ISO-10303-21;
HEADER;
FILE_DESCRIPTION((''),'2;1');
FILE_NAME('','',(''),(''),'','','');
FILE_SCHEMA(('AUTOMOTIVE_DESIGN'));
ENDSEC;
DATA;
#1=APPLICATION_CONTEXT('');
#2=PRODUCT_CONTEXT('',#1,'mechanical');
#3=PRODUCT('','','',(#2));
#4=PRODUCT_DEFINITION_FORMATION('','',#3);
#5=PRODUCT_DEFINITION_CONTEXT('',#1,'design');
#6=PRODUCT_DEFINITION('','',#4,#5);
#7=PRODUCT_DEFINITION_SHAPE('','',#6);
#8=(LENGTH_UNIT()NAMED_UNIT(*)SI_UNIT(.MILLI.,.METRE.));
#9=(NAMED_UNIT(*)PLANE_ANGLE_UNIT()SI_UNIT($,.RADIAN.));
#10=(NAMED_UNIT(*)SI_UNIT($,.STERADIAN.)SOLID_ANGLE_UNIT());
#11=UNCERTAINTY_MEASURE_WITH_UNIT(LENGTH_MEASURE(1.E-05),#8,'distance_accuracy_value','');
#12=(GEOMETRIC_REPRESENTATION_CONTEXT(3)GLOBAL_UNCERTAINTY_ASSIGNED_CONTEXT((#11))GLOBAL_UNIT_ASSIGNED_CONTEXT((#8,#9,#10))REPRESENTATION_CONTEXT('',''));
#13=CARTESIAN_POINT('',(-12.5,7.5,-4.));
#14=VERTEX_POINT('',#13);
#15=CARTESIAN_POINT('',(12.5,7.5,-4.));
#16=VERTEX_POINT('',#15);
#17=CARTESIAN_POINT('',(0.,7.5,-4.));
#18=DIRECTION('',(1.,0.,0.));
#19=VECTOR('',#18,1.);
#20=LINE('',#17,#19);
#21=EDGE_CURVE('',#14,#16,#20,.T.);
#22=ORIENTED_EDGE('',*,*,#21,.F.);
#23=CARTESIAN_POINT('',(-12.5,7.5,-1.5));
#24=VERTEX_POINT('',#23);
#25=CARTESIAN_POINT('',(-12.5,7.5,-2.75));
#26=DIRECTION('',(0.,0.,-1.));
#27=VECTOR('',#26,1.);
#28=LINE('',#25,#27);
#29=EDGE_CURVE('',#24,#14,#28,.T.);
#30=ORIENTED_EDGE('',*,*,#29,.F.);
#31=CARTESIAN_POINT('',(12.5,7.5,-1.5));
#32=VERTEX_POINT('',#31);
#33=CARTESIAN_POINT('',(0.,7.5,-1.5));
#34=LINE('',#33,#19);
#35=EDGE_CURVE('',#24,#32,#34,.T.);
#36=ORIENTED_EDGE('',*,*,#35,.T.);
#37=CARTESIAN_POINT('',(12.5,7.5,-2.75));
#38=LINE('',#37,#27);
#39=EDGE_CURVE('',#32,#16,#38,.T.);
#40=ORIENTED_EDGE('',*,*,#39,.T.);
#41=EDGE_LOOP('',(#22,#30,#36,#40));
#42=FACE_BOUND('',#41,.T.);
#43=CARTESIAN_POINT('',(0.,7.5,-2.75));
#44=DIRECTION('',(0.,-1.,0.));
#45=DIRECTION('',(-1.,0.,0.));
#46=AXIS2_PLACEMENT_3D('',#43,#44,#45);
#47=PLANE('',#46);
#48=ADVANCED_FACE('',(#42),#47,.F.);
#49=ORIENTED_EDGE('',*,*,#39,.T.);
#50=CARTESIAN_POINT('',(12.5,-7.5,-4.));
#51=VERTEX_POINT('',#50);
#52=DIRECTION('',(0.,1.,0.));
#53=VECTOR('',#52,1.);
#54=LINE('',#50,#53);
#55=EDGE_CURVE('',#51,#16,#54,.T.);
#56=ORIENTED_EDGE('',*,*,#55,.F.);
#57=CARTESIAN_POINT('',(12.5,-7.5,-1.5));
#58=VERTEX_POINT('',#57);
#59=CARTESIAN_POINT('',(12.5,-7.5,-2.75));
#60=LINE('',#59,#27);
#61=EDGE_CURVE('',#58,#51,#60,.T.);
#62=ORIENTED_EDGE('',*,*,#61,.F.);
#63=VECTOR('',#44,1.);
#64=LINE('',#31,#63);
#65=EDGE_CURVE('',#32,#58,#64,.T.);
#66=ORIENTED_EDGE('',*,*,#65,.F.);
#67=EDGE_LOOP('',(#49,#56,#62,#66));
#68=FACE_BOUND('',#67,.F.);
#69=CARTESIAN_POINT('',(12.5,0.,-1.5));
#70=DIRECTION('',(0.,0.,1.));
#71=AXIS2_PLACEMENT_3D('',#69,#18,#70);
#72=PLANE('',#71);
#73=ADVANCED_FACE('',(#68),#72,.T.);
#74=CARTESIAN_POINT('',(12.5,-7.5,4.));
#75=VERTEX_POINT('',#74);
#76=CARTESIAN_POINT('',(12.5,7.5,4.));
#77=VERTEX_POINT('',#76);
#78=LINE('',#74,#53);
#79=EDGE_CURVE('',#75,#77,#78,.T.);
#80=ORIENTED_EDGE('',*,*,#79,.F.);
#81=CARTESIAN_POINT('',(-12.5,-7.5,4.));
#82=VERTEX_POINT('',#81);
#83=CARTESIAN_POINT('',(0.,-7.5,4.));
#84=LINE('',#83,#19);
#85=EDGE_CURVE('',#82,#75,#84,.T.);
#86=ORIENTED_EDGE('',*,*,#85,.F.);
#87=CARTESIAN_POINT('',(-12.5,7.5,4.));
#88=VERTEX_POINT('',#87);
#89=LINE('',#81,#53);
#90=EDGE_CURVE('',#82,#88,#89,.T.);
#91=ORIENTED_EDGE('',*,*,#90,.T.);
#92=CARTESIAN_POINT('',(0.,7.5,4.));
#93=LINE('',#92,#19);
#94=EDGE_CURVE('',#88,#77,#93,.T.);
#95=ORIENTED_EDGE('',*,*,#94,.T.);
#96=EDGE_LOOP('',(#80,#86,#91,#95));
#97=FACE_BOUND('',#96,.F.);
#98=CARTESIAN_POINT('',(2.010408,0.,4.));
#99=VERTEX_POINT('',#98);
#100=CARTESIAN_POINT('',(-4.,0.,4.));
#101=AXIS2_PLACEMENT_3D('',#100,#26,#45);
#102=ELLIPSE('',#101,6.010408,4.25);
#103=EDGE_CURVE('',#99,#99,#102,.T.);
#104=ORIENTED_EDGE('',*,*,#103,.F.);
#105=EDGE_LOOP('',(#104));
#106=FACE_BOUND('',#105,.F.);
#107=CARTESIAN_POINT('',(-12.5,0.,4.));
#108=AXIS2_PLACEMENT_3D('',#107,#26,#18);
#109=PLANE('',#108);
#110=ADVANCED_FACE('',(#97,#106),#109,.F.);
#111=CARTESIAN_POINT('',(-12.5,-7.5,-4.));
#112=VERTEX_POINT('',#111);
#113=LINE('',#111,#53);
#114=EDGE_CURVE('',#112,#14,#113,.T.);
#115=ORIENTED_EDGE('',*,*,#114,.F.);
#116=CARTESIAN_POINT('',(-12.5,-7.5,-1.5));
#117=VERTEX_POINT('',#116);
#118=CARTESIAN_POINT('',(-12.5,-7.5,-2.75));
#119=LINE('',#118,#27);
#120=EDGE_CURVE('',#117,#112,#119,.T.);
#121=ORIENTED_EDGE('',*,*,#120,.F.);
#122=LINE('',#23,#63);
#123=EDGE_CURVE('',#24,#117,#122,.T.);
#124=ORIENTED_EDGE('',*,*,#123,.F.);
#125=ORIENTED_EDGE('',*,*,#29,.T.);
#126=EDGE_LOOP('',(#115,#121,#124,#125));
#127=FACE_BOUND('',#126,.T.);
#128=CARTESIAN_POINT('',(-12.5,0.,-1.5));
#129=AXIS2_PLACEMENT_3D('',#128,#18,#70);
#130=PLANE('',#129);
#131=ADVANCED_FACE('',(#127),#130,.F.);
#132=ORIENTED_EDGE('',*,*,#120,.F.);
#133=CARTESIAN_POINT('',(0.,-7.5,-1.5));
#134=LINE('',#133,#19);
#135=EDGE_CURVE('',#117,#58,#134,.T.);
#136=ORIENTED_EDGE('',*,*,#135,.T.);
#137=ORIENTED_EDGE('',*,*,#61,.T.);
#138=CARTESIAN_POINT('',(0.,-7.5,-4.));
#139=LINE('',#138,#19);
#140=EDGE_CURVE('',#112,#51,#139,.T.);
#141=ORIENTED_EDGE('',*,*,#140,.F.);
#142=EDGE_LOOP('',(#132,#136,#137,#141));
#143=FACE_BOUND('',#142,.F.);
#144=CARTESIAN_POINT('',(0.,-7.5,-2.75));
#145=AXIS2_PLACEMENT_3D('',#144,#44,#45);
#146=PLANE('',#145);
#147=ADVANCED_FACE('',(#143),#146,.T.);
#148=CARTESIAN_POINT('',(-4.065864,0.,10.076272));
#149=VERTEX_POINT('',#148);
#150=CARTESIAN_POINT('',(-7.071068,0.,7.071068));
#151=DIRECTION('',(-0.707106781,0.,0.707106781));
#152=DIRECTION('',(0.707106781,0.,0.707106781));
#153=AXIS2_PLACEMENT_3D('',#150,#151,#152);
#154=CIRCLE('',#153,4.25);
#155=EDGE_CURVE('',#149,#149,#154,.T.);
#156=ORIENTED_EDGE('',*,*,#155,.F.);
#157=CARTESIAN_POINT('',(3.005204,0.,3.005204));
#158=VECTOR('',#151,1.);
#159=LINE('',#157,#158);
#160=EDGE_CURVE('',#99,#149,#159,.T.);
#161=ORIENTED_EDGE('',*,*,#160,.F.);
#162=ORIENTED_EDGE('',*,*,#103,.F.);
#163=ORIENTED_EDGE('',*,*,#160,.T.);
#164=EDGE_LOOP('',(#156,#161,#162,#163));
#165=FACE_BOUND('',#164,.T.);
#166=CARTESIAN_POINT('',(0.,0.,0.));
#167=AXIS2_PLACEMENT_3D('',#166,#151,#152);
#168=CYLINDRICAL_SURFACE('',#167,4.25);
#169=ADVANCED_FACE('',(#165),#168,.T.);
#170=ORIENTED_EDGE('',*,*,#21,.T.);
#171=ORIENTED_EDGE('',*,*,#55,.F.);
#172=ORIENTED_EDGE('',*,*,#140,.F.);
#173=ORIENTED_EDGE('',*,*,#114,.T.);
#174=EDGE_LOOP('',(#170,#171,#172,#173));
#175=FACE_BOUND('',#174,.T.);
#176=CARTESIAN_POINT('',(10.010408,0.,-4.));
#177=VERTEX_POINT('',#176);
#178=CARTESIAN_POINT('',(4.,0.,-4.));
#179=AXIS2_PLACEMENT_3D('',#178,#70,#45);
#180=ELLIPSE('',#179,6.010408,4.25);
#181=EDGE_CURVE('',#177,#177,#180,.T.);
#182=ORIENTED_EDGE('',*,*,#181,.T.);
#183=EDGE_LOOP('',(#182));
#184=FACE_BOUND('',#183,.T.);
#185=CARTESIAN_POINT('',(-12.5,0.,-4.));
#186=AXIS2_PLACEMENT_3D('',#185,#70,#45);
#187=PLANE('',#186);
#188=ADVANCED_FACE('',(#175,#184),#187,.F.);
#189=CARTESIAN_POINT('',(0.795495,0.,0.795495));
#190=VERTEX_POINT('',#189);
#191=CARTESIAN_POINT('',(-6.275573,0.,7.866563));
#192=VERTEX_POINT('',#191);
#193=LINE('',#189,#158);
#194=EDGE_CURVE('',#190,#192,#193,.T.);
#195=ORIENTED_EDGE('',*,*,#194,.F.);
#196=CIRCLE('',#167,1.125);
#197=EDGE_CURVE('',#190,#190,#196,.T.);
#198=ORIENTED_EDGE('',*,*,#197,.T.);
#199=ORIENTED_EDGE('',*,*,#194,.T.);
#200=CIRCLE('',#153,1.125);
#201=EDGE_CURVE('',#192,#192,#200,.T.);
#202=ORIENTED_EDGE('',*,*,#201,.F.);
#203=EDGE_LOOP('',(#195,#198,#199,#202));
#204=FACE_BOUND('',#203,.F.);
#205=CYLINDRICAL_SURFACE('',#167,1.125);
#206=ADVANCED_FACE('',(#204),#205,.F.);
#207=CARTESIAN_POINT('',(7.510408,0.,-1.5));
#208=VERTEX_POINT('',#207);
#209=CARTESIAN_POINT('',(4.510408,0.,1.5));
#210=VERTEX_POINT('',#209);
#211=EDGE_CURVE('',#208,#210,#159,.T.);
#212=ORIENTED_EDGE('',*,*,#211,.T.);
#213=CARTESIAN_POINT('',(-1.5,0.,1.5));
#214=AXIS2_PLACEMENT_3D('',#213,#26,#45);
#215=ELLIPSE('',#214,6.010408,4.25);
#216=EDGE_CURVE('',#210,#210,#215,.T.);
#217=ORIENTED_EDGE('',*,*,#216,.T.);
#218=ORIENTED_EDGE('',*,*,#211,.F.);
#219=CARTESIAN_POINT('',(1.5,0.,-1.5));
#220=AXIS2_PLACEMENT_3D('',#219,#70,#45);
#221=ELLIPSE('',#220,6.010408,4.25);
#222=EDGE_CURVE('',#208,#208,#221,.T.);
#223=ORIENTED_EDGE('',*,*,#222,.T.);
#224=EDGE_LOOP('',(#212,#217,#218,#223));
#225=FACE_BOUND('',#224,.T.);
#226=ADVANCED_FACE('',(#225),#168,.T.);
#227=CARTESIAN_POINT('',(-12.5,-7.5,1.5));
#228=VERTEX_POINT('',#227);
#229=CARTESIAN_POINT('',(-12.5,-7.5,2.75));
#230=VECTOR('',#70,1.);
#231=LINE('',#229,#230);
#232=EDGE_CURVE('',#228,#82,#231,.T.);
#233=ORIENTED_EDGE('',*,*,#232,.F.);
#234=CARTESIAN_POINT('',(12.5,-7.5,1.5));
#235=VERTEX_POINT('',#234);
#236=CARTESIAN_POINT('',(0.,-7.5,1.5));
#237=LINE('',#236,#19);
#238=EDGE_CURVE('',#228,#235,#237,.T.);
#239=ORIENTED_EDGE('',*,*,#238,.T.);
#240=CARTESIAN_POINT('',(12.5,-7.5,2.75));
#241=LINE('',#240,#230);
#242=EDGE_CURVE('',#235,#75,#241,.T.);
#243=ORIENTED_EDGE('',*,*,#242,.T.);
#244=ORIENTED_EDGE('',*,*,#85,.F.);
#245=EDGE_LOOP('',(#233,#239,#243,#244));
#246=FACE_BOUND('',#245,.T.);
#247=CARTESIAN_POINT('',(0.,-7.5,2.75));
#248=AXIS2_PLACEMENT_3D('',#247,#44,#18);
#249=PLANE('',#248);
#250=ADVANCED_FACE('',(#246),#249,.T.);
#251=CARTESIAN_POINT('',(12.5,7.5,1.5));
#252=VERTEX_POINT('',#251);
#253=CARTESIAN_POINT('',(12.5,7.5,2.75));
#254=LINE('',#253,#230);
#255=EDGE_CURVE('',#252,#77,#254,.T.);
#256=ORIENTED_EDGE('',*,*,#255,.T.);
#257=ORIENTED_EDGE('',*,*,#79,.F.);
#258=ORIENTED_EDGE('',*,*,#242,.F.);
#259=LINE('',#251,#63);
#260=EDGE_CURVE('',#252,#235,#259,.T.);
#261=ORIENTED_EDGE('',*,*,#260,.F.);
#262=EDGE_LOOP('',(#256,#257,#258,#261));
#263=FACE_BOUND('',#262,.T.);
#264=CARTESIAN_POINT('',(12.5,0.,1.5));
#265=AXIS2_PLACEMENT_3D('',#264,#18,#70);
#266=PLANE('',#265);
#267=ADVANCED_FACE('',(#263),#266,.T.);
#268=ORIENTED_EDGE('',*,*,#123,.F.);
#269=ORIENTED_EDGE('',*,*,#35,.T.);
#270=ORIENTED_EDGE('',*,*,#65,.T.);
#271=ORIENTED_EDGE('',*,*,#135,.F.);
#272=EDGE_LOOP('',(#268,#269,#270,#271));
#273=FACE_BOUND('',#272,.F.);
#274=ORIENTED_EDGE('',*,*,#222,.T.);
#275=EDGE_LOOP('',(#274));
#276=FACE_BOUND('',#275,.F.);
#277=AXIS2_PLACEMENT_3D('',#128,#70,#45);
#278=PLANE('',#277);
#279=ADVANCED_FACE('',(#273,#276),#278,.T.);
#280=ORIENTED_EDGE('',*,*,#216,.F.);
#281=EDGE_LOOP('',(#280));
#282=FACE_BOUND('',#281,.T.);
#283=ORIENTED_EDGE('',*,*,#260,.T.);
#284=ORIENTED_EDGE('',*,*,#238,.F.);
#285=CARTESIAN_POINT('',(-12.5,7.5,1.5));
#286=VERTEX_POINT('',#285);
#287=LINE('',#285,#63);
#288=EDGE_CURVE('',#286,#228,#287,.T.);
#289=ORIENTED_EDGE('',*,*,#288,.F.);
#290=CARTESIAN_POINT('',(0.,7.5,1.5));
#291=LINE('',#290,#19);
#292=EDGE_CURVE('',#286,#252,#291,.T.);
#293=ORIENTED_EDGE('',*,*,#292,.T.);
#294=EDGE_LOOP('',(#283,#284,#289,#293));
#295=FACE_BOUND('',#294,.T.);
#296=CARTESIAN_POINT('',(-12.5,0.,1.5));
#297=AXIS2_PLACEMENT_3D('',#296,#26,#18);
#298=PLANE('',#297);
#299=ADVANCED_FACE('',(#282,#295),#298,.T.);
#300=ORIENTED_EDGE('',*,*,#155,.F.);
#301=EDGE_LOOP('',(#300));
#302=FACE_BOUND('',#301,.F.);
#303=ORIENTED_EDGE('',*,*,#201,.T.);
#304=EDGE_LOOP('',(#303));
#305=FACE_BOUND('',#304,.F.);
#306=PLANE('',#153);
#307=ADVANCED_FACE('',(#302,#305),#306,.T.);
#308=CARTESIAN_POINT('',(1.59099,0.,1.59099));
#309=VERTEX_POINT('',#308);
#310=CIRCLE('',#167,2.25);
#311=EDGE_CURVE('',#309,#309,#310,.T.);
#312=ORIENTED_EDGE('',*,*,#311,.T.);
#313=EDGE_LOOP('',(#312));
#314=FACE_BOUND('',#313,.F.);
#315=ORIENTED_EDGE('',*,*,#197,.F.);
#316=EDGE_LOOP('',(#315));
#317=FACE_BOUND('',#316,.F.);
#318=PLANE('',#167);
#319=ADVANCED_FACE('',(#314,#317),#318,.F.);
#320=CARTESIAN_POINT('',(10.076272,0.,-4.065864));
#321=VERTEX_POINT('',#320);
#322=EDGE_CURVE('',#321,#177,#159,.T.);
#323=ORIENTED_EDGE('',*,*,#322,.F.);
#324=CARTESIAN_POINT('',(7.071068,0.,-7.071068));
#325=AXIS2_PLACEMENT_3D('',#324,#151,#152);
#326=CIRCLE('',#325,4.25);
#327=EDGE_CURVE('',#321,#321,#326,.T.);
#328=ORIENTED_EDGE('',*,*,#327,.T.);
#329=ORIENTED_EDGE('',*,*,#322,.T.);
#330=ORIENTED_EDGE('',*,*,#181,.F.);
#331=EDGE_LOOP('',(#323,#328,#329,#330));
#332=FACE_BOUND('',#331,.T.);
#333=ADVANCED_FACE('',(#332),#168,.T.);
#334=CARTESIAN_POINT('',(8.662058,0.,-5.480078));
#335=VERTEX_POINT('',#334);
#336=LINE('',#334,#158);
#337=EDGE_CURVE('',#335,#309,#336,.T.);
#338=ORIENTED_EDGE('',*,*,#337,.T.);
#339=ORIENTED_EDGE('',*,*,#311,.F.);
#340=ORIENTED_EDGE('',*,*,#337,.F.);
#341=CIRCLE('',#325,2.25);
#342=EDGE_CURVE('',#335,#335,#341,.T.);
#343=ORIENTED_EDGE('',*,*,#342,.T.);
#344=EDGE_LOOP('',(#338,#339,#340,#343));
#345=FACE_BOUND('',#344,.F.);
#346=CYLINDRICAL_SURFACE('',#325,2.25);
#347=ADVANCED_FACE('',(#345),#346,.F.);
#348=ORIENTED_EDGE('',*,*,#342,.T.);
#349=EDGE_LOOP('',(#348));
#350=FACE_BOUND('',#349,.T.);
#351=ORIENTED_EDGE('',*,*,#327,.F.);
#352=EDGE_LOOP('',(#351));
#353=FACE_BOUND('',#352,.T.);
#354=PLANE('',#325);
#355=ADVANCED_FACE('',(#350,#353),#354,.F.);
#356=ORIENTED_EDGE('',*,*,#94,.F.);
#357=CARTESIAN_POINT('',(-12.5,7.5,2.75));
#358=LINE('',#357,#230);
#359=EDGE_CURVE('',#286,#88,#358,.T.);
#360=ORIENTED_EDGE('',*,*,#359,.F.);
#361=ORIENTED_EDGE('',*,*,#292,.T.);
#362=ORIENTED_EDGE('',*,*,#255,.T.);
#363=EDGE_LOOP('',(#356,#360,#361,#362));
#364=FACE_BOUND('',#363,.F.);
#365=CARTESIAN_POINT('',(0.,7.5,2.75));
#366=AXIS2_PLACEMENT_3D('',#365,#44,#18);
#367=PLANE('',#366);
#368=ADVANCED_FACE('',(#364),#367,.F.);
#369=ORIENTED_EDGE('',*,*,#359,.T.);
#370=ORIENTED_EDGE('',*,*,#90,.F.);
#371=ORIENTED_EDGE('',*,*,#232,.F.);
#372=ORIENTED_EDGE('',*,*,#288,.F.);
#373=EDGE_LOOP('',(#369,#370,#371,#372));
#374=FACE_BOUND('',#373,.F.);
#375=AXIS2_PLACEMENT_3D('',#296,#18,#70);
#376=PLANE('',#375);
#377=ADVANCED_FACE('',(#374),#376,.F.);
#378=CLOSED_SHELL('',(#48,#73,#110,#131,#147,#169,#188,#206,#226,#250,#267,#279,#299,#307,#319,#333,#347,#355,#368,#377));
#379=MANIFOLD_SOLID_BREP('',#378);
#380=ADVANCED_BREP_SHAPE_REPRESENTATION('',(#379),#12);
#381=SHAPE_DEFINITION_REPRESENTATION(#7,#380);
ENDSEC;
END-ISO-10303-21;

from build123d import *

# Parameters (mm, degrees)
SKETCH001_W = 4.25
SKETCH001_H = 20
SKETCH002_W = 25
SKETCH002_H = 2.5
PAD_DEPTH   = 7.5


with BuildPart() as part:
    # Sketch001 → Revolution (revolve)
    with BuildSketch(Plane(origin=(0, 0, 0), x_dir=(0.707107, 0, 0.707107), z_dir=(0, -1, 0))):
        with Locations((2.125, 0)):
            Rectangle(SKETCH001_W, SKETCH001_H)
    revolve(axis=Axis((0, 0, 0), (-0.707107, 0, 0.707107)))

    # Sketch002 → Pad (new body, symmetric)
    with BuildSketch(Plane.XZ):
        with Locations((0, 2.75)):
            Rectangle(SKETCH002_W, SKETCH002_H)
    pad = extrude(amount=PAD_DEPTH, both=True)

    # Mirrored: Pad across Sketch002 H_Axis
    add(pad.mirror(Plane(origin=(0, 0, 0), x_dir=(0, -1, 0), z_dir=(0, 0, 1))))

    # Sketch → Groove (revolve, cut)
    with BuildSketch(Plane(origin=(0, 0, 0), x_dir=(0.707107, 0, 0.707107), z_dir=(0, -1, 0))):
        Polygon((0, -10), (2.25, -10), (2.25, 0), (1.125, 0), (1.125, 10), (0, 10), align=None)
    revolve(axis=Axis((0, 0, 0), (-0.707107, 0, 0.707107)), mode=Mode.SUBTRACT)


solid = part.part
